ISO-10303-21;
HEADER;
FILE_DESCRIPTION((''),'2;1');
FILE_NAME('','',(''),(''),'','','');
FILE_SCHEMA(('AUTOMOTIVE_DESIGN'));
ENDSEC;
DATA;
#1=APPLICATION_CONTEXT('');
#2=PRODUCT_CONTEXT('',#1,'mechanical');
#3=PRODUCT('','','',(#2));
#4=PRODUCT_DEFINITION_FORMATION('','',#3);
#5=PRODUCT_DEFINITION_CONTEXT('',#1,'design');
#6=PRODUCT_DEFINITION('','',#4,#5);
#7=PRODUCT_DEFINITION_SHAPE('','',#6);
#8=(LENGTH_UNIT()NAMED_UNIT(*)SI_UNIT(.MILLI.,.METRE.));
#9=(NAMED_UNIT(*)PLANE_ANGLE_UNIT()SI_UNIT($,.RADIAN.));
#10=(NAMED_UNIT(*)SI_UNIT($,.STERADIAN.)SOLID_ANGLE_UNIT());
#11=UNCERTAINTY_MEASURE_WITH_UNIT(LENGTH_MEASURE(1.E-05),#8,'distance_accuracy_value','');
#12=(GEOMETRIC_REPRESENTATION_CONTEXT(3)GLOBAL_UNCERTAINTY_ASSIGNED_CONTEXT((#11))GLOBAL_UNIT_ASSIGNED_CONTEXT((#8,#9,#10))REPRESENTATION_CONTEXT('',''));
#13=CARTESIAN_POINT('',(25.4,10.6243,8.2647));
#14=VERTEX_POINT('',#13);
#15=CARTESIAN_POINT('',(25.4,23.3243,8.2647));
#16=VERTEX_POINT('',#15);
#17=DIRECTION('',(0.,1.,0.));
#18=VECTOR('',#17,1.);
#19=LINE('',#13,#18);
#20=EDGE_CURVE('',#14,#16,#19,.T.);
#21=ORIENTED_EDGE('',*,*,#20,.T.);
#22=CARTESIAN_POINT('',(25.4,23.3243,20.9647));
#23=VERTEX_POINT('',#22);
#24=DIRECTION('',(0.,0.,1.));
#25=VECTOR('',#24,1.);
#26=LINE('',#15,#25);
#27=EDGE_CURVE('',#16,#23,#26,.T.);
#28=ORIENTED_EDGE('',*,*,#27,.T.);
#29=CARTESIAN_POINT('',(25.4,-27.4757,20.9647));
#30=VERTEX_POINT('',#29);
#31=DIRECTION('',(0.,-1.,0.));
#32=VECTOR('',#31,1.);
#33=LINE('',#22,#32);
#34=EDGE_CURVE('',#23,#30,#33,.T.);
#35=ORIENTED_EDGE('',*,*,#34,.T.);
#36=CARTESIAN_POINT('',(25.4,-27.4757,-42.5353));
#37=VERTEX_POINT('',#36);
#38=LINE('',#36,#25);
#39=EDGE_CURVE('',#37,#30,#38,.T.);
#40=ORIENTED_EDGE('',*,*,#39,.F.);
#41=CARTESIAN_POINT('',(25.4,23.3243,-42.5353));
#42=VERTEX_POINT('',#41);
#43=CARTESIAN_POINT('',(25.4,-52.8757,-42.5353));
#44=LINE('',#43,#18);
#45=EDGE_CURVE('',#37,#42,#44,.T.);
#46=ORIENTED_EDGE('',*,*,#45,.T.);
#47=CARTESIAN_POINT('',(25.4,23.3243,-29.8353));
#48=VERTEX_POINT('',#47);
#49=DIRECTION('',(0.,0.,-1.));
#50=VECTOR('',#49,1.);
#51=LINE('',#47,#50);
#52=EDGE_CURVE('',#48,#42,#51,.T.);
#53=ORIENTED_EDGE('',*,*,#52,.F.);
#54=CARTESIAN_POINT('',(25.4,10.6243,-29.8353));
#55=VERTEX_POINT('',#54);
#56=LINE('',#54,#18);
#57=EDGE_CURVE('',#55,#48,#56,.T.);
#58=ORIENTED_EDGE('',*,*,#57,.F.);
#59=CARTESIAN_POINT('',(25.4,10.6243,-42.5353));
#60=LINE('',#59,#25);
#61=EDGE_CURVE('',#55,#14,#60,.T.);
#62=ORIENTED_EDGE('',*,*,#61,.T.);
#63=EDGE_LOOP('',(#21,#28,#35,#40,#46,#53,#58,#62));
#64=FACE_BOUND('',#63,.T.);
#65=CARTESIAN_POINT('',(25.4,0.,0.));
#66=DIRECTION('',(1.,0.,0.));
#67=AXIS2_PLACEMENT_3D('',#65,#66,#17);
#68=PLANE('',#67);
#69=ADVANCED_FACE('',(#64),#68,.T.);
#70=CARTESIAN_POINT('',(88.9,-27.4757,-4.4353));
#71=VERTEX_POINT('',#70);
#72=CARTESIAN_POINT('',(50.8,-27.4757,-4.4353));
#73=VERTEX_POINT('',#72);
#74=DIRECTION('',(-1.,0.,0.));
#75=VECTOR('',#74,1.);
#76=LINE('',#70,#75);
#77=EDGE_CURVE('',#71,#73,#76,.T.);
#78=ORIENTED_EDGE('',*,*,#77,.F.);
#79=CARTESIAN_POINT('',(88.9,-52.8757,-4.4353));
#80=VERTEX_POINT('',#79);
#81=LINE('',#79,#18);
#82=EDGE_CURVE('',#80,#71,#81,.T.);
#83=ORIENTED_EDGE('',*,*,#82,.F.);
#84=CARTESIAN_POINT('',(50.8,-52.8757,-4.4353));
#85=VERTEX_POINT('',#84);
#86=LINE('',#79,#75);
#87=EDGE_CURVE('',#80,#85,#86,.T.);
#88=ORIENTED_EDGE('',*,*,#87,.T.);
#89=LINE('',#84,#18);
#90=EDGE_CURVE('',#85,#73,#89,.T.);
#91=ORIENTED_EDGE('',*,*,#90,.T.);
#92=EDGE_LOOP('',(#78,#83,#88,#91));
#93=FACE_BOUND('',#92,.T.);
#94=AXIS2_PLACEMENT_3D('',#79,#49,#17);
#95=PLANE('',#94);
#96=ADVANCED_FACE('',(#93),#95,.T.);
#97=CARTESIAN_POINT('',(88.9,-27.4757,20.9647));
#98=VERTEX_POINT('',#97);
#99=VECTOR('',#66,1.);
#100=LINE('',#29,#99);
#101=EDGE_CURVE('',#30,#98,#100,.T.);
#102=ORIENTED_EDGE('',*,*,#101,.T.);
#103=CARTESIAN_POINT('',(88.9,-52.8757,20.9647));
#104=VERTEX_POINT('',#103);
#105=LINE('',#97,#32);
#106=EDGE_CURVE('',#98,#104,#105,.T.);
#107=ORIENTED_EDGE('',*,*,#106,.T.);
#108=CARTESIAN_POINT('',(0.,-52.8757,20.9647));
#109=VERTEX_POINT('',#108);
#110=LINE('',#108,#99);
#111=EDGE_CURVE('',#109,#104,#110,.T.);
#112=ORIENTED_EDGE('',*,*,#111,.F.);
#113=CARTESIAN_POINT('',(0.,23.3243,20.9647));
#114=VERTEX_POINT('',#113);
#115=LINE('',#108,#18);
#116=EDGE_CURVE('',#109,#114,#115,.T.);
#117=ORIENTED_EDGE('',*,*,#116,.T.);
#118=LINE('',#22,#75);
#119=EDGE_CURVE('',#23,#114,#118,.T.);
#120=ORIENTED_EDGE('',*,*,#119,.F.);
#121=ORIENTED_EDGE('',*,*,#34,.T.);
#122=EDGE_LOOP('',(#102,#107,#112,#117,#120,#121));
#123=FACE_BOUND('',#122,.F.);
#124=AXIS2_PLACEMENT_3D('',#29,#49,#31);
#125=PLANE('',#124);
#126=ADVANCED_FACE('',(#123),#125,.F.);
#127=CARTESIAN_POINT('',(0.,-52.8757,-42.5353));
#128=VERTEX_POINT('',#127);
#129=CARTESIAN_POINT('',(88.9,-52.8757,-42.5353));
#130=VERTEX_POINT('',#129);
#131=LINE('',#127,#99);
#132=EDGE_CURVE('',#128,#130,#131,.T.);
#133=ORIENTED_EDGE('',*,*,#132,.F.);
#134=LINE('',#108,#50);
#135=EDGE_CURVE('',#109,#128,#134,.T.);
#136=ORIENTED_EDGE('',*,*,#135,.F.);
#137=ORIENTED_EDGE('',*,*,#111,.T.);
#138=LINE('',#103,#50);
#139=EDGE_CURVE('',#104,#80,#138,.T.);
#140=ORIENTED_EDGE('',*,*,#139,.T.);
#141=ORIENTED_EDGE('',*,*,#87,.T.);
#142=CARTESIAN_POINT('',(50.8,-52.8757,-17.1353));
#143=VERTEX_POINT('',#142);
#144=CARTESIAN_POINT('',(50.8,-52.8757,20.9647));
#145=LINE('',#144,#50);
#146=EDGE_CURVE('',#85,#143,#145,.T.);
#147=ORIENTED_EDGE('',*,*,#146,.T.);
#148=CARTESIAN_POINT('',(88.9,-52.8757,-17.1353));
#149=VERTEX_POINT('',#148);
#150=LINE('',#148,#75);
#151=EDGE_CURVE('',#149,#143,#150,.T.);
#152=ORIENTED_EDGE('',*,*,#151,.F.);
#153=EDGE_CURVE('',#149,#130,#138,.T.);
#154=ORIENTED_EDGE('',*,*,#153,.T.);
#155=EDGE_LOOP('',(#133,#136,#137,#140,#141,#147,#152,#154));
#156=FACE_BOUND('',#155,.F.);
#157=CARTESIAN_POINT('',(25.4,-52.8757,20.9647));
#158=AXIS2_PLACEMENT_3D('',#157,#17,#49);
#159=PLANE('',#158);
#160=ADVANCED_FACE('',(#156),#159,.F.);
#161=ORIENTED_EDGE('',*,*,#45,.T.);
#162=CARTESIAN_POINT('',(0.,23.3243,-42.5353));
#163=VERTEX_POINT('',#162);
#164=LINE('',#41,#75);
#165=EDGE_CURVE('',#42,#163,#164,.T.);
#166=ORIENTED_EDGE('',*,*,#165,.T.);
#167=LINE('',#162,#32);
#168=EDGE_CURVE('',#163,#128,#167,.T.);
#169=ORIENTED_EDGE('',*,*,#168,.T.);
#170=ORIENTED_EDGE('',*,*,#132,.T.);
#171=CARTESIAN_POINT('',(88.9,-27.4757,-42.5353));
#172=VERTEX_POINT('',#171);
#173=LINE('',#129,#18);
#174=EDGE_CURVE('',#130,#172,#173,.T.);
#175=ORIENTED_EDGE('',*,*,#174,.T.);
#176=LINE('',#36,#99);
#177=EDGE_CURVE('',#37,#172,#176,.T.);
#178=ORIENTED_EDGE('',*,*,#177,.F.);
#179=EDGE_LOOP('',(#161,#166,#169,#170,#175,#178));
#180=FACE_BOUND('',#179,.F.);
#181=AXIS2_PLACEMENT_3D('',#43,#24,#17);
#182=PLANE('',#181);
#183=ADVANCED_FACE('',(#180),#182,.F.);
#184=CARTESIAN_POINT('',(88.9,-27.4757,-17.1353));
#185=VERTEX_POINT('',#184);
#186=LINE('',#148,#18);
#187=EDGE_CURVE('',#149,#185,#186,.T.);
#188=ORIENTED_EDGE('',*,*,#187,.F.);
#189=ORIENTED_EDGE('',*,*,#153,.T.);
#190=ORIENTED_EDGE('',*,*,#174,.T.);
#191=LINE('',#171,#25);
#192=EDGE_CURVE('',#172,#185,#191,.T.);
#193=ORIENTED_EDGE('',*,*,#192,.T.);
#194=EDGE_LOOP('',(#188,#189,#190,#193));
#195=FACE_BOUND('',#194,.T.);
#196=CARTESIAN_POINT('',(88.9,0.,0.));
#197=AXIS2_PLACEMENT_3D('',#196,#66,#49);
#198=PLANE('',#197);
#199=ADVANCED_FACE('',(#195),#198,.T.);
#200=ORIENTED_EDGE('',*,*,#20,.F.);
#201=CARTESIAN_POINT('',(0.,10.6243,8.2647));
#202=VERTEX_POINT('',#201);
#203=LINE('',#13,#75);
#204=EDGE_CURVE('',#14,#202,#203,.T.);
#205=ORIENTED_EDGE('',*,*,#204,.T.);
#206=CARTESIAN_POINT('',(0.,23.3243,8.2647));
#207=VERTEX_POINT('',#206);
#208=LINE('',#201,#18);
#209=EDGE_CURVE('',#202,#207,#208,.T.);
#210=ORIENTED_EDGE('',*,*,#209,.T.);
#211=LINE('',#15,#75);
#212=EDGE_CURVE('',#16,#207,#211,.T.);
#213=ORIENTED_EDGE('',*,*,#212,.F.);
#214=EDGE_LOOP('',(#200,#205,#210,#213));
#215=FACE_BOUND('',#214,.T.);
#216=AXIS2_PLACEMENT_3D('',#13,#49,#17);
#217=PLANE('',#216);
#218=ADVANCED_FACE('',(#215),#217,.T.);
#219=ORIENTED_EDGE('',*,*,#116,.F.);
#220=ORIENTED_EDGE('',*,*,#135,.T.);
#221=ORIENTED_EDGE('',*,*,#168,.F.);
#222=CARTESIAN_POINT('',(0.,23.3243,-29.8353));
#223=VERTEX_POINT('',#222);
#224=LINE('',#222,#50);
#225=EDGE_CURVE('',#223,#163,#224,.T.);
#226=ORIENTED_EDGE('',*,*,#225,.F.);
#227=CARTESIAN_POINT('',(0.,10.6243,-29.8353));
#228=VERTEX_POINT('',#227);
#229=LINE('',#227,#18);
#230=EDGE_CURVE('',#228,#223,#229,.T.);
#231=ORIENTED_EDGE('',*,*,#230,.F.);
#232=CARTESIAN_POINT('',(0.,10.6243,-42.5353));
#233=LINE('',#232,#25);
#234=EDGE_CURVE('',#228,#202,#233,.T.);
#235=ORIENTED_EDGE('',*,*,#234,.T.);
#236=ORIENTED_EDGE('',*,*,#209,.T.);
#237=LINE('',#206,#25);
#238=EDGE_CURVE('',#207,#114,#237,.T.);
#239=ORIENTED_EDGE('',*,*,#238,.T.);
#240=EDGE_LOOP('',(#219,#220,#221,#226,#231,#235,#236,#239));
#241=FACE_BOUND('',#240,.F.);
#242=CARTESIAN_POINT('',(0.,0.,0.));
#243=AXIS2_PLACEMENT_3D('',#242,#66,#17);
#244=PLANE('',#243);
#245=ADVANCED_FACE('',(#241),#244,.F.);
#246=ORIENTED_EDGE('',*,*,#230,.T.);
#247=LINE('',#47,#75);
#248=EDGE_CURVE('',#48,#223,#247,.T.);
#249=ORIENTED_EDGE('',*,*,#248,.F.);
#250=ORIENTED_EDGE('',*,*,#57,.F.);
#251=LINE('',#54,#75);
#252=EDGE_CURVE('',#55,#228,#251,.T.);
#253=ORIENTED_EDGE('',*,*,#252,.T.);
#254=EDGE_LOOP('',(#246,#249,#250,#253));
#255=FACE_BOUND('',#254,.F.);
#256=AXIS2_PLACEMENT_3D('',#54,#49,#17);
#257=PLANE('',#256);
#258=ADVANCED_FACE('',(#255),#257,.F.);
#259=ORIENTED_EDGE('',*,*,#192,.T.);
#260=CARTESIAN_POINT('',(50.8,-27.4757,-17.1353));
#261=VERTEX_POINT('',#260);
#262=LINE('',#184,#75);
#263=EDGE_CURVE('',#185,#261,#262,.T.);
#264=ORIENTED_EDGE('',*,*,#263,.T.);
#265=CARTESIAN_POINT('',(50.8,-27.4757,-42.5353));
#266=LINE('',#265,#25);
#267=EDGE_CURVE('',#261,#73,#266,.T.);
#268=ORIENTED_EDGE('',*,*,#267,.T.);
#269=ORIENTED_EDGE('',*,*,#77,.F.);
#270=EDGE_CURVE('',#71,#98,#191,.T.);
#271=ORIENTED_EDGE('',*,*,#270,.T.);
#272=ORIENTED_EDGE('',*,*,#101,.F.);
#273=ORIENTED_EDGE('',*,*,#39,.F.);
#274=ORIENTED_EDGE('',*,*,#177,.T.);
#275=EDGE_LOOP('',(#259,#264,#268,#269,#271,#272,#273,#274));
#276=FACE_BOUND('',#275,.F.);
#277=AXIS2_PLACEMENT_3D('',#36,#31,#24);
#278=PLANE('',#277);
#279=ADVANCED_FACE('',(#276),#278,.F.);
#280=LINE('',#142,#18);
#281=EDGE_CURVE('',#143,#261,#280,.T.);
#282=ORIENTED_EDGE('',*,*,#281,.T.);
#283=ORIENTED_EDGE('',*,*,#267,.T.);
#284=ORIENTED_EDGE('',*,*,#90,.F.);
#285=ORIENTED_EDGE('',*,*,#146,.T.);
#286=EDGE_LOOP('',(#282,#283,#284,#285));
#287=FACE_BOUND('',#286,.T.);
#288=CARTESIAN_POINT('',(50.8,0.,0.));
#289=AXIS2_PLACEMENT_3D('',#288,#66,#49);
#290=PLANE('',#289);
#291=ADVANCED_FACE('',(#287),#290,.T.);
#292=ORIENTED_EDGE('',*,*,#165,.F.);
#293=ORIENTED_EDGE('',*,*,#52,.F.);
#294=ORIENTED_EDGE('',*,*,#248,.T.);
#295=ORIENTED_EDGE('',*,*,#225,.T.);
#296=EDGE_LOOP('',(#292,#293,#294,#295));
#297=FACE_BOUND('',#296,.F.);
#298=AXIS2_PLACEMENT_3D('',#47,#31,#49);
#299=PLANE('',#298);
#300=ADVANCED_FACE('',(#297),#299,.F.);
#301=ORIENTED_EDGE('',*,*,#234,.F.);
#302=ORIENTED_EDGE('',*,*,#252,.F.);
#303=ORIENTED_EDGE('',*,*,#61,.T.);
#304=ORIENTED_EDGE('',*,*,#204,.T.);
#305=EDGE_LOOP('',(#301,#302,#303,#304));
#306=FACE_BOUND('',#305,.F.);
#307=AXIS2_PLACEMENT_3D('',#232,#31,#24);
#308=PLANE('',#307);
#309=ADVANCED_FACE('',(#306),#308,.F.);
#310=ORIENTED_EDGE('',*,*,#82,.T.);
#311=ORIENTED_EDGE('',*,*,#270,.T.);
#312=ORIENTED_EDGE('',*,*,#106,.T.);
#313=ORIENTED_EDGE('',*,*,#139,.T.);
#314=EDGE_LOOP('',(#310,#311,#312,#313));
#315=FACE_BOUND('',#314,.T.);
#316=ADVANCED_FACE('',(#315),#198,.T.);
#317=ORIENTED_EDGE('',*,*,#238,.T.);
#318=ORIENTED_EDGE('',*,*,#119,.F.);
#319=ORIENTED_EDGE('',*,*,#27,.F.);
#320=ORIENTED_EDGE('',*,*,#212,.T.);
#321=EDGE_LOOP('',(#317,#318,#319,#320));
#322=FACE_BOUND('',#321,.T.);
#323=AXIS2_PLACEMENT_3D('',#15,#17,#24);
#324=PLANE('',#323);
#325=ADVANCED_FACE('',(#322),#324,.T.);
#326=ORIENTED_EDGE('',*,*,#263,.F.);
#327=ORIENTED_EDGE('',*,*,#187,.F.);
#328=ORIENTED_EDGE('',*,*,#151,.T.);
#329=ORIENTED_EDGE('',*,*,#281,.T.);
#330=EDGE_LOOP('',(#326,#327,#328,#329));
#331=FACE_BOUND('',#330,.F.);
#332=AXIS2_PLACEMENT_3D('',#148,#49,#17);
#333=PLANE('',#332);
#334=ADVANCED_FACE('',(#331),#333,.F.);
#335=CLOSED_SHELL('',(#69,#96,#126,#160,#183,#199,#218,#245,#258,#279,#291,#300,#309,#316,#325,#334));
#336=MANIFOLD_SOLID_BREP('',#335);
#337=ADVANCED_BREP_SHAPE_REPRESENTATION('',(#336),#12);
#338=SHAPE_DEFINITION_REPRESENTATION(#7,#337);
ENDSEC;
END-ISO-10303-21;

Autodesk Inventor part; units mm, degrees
ref_plane "YZ Plane" through (0, 0, 0) normal (1, 0, 0) x (0, 1, 0)
ref_plane "XZ Plane" through (0, 0, 0) normal (0, 1, 0) x (-1, 0, 0)
ref_plane "XY Plane" through (0, 0, 0) normal (0, 0, 1) x (1, 0, 0)
sketch "Sketch1" plane through (0, 0, 0) normal (1, 0, 0) x (0, 1, 0)
  line L0 (10.6243, 20.9647) -> (-52.8757, 20.9647)
  line L1 (-52.8757, 20.9647) -> (-52.8757, -42.5353)
  line L2 (-52.8757, -42.5353) -> (10.6243, -42.5353)
  line L3 (10.6243, -42.5353) -> (10.6243, 20.9647)
  point P0 (0, 0)
  dimension "d0" = 63.5
  dimension "d1" = 63.5
extrude "Extrusion1" add sketch "Sketch1" along normal blind 25.4
sketch "Sketch2" plane through (25.4, 0, 0) normal (1, 0, 0) x (0, 0, -1)
  line L0 (42.5353, 10.6243) -> (-20.9647, 10.6243) projected
  line L1 (-20.9647, 10.6243) -> (-8.2647, 10.6243)
  line L2 (-8.2647, 10.6243) -> (-8.2647, 23.3243)
  line L3 (-8.2647, 23.3243) -> (-20.9647, 23.3243)
  line L4 (-20.9647, 23.3243) -> (-20.9647, 10.6243)
  line L5 (42.5353, -52.8757) -> (42.5353, 10.6243) projected
  line L6 (42.5353, 10.6243) -> (29.8353, 10.6243)
  line L7 (29.8353, 10.6243) -> (29.8353, 23.3243)
  line L8 (29.8353, 23.3243) -> (42.5353, 23.3243)
  line L9 (42.5353, 23.3243) -> (42.5353, 10.6243)
  point P0 (0, 0)
  dimension "d4" = 12.7
  dimension "d5" = 12.7
  dimension "d6" = 12.7
  dimension "d7" = 12.7
extrude "Extrusion2" add sketch "Sketch2" against normal blind 25.4
sketch "Sketch3" plane through (25.4, 0, 0) normal (1, 0, 0) x (0, 0, -1)
  line L0 (-20.9647, -52.8757) -> (42.5353, -52.8757)
  line L1 (42.5353, -52.8757) -> (42.5353, -27.4757)
  line L2 (42.5353, -27.4757) -> (-20.9647, -27.4757)
  line L3 (-20.9647, -27.4757) -> (-20.9647, -52.8757)
  point P0 (0, 0)
  dimension "d10" = 63.5
  dimension "d11" = 25.4
extrude "Extrusion3" add sketch "Sketch3" along normal blind 63.5
sketch "Sketch4" plane through (88.9, 0, 0) normal (1, 0, 0) x (0, 0, -1)
  line L0 (-20.9647, 23.3243) -> (-20.9647, -52.8757) projected
  line L1 (-20.9647, -52.8757) -> (4.4353, -52.8757)
  line L2 (-20.9647, -52.8757) -> (42.5353, -52.8757) projected
  line L3 (4.4353, -52.8757) -> (4.4353, -27.4757)
  line L4 (42.5353, -27.4757) -> (-20.9647, -27.4757) projected
  line L5 (42.5353, -52.8757) -> (42.5353, -27.4757) projected
  line L6 (42.5353, -52.8757) -> (17.1353, -52.8757)
  line L7 (17.1353, -52.8757) -> (17.1353, -27.4757)
  line L8 (4.4353, -27.4757) -> (17.1353, -27.4757)
  line L9 (17.1353, -27.4757) -> (17.1353, -52.8757)
  line L10 (17.1353, -52.8757) -> (4.4353, -52.8757)
  line L11 (4.4353, -52.8757) -> (4.4353, -27.4757)
  point P0 (0, 0)
  dimension "d14" = 25.4
  dimension "d15" = 25.4
extrude "Extrusion4" cut sketch "Sketch4" against normal blind 38.1 contours L4 L7 L2 L3
properties part number "4.1e P3"
